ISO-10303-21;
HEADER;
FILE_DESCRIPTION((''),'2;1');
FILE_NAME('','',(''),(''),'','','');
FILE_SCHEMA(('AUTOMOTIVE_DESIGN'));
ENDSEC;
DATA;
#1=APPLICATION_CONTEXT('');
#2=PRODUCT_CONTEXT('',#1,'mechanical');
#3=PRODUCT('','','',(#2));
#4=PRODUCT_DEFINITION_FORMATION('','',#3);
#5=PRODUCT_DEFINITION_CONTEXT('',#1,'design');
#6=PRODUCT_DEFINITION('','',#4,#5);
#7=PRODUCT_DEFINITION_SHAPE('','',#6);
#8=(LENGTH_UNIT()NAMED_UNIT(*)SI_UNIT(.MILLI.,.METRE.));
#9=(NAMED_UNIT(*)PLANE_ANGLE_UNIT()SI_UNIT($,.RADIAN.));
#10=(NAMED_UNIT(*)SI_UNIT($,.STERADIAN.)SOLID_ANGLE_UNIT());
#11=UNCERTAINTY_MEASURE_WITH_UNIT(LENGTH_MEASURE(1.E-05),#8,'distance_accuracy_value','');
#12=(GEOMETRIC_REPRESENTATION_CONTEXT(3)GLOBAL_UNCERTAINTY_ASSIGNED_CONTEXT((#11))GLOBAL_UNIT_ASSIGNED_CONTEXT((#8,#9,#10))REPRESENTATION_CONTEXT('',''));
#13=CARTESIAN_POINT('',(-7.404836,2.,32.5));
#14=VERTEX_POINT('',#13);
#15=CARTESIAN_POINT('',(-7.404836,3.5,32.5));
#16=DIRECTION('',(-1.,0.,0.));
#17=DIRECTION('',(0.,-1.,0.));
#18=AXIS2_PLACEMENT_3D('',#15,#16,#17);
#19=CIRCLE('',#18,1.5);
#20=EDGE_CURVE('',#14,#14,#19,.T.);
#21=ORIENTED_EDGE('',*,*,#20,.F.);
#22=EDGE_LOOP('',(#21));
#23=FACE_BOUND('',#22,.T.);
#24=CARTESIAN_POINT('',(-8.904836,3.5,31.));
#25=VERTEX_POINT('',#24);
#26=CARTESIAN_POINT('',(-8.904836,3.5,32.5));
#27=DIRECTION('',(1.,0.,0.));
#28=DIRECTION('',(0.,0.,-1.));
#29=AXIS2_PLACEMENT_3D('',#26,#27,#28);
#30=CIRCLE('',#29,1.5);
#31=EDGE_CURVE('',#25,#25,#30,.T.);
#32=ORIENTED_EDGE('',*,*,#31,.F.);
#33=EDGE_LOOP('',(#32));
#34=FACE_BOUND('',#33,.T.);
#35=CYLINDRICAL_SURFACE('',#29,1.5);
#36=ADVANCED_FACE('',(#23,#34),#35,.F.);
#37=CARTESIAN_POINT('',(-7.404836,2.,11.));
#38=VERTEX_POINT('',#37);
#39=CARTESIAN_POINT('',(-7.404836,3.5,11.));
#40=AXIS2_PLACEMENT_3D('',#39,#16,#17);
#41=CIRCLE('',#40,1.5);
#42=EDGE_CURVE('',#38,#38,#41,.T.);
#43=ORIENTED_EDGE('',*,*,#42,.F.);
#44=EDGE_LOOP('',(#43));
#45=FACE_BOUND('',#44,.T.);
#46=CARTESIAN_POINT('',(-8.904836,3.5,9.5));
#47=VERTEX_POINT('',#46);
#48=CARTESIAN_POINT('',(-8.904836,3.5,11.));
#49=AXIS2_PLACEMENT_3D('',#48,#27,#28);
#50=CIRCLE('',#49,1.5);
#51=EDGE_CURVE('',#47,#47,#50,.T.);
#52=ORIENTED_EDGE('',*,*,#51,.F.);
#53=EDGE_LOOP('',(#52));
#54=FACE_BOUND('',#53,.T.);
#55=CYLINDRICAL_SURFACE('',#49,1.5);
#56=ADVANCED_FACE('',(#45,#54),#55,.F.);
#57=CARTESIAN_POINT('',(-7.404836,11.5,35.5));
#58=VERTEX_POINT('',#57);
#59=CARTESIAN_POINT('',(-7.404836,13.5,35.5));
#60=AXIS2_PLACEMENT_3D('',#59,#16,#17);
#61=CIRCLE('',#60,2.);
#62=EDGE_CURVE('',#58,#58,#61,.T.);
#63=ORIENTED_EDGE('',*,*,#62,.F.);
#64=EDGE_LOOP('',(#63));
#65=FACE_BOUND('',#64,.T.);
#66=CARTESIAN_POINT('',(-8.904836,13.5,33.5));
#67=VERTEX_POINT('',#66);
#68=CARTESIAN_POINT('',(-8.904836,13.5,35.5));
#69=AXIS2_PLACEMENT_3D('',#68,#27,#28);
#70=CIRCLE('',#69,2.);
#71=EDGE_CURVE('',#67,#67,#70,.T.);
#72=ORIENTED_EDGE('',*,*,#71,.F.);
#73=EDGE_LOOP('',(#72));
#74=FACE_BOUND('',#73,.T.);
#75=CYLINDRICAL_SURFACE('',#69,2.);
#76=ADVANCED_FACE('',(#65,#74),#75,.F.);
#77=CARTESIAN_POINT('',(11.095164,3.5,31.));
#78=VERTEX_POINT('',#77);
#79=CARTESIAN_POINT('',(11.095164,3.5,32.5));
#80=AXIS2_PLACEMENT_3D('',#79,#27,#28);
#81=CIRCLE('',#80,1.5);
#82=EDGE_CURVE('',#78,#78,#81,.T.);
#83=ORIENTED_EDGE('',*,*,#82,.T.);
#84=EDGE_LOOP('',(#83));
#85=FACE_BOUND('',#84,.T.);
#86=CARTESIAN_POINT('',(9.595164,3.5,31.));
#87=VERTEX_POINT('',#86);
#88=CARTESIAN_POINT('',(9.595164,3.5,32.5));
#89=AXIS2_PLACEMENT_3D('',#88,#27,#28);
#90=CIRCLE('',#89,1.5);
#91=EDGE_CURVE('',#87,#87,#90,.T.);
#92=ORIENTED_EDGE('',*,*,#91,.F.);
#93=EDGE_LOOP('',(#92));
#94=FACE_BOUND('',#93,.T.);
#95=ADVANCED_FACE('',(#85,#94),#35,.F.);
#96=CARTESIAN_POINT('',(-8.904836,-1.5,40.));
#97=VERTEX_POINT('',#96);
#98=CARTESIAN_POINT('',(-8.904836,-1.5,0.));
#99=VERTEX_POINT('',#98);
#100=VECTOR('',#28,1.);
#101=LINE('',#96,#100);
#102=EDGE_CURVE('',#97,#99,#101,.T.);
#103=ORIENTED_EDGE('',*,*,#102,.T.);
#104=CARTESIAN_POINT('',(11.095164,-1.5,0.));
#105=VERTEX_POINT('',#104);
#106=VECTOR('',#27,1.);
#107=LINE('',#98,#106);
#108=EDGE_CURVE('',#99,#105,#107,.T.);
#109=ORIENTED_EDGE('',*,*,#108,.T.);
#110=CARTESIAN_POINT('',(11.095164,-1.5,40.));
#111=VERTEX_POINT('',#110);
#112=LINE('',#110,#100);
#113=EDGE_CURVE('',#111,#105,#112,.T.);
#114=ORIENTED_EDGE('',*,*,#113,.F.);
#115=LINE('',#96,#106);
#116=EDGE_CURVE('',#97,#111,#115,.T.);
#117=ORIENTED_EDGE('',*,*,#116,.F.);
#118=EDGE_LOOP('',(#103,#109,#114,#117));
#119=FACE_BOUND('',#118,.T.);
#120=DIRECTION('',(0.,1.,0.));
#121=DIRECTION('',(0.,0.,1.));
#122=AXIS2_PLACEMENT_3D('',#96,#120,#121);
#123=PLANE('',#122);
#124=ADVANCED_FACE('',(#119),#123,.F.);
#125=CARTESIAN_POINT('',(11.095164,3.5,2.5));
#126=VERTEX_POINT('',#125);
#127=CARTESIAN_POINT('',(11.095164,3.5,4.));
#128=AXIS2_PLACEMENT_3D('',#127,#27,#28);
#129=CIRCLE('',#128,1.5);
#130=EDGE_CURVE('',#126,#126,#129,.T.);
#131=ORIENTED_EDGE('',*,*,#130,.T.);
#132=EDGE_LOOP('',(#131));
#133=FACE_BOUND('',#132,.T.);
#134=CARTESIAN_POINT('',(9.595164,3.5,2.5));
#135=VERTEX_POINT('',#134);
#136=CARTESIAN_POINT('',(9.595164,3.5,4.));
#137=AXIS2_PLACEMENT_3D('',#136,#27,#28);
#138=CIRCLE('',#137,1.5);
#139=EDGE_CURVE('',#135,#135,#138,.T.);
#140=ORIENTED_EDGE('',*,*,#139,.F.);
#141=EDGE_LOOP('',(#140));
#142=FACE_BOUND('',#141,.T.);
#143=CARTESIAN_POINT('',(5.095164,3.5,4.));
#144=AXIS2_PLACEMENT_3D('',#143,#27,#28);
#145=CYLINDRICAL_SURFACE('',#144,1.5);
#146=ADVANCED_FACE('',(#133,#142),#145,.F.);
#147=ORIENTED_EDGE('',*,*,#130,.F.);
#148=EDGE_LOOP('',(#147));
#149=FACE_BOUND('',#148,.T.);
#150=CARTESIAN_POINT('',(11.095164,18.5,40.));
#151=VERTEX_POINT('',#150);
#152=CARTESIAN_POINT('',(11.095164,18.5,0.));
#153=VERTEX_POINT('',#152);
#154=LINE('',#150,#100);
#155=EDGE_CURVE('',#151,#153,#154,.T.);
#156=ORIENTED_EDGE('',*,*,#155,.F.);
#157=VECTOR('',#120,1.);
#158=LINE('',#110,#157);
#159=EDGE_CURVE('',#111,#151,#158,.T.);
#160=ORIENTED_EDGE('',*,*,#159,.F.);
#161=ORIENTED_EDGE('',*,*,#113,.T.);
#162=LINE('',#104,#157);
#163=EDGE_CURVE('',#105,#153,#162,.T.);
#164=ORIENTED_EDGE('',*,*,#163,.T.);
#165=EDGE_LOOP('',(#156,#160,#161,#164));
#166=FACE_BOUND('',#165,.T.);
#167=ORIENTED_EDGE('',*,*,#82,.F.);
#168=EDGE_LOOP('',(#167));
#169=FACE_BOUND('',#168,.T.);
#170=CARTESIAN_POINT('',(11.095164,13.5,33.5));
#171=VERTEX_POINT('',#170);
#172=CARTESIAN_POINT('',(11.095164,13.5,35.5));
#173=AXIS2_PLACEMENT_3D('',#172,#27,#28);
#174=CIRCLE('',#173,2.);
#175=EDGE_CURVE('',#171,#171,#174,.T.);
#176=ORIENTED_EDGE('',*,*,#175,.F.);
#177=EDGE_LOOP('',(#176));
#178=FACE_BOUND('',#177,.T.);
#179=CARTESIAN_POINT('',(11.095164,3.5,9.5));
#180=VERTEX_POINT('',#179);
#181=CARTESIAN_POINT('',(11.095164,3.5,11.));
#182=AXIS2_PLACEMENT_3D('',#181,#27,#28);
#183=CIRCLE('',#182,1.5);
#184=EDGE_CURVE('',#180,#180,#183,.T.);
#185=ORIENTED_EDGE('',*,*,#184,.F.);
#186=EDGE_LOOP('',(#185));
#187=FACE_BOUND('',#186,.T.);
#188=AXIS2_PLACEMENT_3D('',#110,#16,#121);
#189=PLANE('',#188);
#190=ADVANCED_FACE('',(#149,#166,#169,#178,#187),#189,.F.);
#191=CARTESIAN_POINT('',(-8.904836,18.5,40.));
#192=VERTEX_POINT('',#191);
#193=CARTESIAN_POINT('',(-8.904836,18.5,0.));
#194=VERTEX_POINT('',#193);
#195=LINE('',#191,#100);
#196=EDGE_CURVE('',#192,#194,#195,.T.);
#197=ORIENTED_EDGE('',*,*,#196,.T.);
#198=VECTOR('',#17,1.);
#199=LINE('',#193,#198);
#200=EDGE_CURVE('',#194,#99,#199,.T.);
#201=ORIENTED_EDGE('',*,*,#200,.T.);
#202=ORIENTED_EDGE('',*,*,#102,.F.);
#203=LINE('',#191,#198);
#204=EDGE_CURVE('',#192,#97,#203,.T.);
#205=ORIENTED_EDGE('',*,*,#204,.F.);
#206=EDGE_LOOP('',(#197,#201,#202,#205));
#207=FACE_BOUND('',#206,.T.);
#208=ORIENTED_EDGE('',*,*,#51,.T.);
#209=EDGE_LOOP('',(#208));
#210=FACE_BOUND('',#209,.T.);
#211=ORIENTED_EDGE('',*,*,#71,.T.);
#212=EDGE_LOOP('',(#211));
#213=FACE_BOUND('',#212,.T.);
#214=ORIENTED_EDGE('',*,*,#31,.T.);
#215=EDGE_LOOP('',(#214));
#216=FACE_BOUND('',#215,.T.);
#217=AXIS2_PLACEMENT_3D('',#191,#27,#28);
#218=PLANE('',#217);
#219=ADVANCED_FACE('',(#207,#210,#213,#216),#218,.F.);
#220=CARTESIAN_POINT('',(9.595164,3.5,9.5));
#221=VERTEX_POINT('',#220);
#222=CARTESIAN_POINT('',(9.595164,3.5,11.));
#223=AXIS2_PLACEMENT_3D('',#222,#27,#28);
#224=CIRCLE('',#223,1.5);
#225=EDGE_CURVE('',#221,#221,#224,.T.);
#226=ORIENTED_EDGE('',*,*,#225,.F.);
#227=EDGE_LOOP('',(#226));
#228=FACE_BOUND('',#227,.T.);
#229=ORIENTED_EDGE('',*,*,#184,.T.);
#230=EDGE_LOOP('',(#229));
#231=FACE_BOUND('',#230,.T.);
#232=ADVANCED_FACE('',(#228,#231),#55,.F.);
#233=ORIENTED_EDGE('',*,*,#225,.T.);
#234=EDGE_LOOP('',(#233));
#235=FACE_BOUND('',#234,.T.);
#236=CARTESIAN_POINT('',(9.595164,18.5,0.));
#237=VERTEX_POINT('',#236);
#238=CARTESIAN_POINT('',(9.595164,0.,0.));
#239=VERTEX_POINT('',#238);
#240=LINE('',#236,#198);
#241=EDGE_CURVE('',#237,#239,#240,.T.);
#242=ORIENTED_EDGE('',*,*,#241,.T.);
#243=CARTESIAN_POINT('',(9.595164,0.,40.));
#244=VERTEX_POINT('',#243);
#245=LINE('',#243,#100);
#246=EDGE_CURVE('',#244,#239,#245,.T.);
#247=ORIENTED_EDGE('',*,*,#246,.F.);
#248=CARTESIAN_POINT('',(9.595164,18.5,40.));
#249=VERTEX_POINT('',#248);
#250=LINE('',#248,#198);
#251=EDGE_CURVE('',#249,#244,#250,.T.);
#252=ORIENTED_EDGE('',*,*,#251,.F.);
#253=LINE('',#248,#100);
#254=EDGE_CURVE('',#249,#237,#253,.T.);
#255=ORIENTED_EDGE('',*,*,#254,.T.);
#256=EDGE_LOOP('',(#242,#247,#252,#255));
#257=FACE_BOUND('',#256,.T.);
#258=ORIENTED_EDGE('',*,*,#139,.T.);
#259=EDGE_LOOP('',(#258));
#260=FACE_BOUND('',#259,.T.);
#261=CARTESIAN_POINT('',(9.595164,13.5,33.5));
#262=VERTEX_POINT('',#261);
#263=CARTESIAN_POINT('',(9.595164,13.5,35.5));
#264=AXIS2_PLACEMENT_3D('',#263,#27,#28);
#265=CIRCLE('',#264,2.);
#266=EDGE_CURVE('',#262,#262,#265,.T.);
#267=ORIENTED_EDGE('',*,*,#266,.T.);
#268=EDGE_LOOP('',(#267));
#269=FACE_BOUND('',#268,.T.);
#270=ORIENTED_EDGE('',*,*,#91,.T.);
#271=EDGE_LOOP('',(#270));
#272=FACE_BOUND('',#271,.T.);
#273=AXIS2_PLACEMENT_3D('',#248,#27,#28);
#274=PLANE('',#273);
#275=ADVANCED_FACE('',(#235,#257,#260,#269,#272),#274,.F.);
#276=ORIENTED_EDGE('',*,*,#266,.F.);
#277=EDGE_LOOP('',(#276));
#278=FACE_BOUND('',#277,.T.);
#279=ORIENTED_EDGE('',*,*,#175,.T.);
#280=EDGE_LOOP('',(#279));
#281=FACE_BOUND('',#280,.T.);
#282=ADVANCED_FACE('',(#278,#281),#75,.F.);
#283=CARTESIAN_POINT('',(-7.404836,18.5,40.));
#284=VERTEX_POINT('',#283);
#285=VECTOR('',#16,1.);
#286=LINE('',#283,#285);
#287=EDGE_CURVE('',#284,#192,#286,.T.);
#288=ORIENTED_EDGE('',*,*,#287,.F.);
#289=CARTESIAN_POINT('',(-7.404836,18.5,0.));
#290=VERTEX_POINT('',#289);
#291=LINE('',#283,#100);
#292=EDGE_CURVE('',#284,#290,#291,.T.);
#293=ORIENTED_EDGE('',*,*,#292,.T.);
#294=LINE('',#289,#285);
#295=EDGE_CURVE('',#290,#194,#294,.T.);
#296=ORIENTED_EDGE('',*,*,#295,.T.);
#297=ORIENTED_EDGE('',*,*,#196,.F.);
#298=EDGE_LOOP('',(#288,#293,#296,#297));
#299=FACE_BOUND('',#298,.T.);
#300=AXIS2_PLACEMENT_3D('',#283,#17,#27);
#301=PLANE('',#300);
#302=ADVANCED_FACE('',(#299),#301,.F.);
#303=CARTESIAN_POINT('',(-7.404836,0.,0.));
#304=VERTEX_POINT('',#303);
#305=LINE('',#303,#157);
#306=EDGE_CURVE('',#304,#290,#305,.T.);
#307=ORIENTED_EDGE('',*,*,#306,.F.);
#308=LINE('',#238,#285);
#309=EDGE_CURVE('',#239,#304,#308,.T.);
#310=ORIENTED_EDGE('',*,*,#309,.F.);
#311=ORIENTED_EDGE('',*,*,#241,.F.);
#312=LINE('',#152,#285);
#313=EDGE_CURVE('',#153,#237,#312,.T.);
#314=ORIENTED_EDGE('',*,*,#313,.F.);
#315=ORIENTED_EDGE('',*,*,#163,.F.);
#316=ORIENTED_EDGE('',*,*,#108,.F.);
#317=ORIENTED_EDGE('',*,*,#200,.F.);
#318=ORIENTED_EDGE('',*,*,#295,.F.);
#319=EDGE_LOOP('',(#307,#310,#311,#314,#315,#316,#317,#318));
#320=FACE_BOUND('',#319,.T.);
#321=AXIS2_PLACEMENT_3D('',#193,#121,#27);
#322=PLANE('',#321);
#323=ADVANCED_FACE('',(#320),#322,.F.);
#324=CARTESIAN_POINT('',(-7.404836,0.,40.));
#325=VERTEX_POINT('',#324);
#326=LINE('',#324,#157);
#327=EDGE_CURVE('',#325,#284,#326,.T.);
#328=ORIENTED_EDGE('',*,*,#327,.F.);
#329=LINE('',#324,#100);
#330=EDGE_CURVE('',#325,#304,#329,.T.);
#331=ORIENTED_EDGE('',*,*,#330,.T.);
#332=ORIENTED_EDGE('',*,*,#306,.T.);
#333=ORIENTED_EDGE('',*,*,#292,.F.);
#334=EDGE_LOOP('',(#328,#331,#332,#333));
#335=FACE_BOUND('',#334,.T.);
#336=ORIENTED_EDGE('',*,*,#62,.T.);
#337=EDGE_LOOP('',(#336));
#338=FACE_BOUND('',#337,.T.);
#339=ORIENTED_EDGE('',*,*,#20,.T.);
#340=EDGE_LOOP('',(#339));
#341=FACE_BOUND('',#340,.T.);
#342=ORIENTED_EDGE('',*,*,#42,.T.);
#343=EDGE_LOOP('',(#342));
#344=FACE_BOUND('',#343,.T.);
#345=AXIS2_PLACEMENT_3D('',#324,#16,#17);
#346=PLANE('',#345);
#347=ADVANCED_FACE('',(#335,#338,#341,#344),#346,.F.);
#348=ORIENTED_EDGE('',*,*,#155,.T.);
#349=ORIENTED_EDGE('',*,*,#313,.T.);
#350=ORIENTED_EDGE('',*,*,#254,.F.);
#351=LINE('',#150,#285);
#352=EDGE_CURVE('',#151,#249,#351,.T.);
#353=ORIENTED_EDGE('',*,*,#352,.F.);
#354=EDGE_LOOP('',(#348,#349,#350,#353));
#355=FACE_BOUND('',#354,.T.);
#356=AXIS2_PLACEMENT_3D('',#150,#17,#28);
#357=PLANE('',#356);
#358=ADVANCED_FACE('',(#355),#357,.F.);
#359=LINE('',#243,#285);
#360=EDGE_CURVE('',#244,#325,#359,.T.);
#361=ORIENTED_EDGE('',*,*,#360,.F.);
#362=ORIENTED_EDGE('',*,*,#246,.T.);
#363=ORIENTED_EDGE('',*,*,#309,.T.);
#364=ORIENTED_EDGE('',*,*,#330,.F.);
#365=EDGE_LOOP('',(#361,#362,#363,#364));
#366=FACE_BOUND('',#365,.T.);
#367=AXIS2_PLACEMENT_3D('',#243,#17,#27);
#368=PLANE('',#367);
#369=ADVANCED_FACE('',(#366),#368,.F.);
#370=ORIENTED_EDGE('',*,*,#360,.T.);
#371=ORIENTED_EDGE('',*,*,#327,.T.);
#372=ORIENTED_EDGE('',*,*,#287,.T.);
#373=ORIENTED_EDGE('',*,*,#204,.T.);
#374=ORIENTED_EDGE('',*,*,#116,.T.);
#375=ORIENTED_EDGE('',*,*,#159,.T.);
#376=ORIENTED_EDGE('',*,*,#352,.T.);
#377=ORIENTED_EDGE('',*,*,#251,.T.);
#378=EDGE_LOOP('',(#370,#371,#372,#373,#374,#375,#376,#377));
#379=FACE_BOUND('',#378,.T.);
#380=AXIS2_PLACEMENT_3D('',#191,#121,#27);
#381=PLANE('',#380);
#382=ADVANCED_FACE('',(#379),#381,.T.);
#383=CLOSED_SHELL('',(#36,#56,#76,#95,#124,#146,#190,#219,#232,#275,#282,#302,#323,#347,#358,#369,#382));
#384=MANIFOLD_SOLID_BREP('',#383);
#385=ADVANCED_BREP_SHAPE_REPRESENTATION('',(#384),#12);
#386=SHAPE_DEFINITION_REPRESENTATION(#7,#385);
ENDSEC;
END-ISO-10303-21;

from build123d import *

# Parameters (mm, degrees)
EXTRUSION1_DEPTH = 40
ESQUISSE2_R      = 1.5
ESQUISSE2_R_2    = 2
EXTRUSION2_DEPTH = 49.396797415
ESQUISSE3_R      = 1.5
EXTRUSION3_DEPTH = 6


with BuildPart() as part:
    # Esquisse1 → Extrusion1 (new body)
    with BuildSketch(Plane.XY):
        Polygon((-8.904835854, 18.5), (-8.904835854, -1.5), (11.095164146, -1.5), (11.095164146, 18.5), (9.595164146, 18.5), (9.595164146, 0), (-7.404835854, 0), (-7.404835854, 18.5), align=None)
    extrude(amount=EXTRUSION1_DEPTH)

    # Esquisse2 → Extrusion2 (cut, through all)
    with BuildSketch(Plane(origin=(11.095164146, 0, 0), x_dir=(0, 0, -1), z_dir=(1, 0, 0))):
        with Locations((-32.5, 3.5)):
            Circle(ESQUISSE2_R)
        with Locations((-11, 3.5)):
            Circle(ESQUISSE2_R)
        with Locations((-35.5, 13.5)):
            Circle(ESQUISSE2_R_2)
    extrude(amount=-EXTRUSION2_DEPTH, mode=Mode.SUBTRACT)

    # Esquisse3 → Extrusion3 (cut)
    with BuildSketch(Plane(origin=(11.095164146, 0, 0), x_dir=(0, 0, -1), z_dir=(1, 0, 0))):
        with Locations((-4, 3.5)):
            Circle(ESQUISSE3_R)
    extrude(amount=-EXTRUSION3_DEPTH, mode=Mode.SUBTRACT)


solid = part.part
